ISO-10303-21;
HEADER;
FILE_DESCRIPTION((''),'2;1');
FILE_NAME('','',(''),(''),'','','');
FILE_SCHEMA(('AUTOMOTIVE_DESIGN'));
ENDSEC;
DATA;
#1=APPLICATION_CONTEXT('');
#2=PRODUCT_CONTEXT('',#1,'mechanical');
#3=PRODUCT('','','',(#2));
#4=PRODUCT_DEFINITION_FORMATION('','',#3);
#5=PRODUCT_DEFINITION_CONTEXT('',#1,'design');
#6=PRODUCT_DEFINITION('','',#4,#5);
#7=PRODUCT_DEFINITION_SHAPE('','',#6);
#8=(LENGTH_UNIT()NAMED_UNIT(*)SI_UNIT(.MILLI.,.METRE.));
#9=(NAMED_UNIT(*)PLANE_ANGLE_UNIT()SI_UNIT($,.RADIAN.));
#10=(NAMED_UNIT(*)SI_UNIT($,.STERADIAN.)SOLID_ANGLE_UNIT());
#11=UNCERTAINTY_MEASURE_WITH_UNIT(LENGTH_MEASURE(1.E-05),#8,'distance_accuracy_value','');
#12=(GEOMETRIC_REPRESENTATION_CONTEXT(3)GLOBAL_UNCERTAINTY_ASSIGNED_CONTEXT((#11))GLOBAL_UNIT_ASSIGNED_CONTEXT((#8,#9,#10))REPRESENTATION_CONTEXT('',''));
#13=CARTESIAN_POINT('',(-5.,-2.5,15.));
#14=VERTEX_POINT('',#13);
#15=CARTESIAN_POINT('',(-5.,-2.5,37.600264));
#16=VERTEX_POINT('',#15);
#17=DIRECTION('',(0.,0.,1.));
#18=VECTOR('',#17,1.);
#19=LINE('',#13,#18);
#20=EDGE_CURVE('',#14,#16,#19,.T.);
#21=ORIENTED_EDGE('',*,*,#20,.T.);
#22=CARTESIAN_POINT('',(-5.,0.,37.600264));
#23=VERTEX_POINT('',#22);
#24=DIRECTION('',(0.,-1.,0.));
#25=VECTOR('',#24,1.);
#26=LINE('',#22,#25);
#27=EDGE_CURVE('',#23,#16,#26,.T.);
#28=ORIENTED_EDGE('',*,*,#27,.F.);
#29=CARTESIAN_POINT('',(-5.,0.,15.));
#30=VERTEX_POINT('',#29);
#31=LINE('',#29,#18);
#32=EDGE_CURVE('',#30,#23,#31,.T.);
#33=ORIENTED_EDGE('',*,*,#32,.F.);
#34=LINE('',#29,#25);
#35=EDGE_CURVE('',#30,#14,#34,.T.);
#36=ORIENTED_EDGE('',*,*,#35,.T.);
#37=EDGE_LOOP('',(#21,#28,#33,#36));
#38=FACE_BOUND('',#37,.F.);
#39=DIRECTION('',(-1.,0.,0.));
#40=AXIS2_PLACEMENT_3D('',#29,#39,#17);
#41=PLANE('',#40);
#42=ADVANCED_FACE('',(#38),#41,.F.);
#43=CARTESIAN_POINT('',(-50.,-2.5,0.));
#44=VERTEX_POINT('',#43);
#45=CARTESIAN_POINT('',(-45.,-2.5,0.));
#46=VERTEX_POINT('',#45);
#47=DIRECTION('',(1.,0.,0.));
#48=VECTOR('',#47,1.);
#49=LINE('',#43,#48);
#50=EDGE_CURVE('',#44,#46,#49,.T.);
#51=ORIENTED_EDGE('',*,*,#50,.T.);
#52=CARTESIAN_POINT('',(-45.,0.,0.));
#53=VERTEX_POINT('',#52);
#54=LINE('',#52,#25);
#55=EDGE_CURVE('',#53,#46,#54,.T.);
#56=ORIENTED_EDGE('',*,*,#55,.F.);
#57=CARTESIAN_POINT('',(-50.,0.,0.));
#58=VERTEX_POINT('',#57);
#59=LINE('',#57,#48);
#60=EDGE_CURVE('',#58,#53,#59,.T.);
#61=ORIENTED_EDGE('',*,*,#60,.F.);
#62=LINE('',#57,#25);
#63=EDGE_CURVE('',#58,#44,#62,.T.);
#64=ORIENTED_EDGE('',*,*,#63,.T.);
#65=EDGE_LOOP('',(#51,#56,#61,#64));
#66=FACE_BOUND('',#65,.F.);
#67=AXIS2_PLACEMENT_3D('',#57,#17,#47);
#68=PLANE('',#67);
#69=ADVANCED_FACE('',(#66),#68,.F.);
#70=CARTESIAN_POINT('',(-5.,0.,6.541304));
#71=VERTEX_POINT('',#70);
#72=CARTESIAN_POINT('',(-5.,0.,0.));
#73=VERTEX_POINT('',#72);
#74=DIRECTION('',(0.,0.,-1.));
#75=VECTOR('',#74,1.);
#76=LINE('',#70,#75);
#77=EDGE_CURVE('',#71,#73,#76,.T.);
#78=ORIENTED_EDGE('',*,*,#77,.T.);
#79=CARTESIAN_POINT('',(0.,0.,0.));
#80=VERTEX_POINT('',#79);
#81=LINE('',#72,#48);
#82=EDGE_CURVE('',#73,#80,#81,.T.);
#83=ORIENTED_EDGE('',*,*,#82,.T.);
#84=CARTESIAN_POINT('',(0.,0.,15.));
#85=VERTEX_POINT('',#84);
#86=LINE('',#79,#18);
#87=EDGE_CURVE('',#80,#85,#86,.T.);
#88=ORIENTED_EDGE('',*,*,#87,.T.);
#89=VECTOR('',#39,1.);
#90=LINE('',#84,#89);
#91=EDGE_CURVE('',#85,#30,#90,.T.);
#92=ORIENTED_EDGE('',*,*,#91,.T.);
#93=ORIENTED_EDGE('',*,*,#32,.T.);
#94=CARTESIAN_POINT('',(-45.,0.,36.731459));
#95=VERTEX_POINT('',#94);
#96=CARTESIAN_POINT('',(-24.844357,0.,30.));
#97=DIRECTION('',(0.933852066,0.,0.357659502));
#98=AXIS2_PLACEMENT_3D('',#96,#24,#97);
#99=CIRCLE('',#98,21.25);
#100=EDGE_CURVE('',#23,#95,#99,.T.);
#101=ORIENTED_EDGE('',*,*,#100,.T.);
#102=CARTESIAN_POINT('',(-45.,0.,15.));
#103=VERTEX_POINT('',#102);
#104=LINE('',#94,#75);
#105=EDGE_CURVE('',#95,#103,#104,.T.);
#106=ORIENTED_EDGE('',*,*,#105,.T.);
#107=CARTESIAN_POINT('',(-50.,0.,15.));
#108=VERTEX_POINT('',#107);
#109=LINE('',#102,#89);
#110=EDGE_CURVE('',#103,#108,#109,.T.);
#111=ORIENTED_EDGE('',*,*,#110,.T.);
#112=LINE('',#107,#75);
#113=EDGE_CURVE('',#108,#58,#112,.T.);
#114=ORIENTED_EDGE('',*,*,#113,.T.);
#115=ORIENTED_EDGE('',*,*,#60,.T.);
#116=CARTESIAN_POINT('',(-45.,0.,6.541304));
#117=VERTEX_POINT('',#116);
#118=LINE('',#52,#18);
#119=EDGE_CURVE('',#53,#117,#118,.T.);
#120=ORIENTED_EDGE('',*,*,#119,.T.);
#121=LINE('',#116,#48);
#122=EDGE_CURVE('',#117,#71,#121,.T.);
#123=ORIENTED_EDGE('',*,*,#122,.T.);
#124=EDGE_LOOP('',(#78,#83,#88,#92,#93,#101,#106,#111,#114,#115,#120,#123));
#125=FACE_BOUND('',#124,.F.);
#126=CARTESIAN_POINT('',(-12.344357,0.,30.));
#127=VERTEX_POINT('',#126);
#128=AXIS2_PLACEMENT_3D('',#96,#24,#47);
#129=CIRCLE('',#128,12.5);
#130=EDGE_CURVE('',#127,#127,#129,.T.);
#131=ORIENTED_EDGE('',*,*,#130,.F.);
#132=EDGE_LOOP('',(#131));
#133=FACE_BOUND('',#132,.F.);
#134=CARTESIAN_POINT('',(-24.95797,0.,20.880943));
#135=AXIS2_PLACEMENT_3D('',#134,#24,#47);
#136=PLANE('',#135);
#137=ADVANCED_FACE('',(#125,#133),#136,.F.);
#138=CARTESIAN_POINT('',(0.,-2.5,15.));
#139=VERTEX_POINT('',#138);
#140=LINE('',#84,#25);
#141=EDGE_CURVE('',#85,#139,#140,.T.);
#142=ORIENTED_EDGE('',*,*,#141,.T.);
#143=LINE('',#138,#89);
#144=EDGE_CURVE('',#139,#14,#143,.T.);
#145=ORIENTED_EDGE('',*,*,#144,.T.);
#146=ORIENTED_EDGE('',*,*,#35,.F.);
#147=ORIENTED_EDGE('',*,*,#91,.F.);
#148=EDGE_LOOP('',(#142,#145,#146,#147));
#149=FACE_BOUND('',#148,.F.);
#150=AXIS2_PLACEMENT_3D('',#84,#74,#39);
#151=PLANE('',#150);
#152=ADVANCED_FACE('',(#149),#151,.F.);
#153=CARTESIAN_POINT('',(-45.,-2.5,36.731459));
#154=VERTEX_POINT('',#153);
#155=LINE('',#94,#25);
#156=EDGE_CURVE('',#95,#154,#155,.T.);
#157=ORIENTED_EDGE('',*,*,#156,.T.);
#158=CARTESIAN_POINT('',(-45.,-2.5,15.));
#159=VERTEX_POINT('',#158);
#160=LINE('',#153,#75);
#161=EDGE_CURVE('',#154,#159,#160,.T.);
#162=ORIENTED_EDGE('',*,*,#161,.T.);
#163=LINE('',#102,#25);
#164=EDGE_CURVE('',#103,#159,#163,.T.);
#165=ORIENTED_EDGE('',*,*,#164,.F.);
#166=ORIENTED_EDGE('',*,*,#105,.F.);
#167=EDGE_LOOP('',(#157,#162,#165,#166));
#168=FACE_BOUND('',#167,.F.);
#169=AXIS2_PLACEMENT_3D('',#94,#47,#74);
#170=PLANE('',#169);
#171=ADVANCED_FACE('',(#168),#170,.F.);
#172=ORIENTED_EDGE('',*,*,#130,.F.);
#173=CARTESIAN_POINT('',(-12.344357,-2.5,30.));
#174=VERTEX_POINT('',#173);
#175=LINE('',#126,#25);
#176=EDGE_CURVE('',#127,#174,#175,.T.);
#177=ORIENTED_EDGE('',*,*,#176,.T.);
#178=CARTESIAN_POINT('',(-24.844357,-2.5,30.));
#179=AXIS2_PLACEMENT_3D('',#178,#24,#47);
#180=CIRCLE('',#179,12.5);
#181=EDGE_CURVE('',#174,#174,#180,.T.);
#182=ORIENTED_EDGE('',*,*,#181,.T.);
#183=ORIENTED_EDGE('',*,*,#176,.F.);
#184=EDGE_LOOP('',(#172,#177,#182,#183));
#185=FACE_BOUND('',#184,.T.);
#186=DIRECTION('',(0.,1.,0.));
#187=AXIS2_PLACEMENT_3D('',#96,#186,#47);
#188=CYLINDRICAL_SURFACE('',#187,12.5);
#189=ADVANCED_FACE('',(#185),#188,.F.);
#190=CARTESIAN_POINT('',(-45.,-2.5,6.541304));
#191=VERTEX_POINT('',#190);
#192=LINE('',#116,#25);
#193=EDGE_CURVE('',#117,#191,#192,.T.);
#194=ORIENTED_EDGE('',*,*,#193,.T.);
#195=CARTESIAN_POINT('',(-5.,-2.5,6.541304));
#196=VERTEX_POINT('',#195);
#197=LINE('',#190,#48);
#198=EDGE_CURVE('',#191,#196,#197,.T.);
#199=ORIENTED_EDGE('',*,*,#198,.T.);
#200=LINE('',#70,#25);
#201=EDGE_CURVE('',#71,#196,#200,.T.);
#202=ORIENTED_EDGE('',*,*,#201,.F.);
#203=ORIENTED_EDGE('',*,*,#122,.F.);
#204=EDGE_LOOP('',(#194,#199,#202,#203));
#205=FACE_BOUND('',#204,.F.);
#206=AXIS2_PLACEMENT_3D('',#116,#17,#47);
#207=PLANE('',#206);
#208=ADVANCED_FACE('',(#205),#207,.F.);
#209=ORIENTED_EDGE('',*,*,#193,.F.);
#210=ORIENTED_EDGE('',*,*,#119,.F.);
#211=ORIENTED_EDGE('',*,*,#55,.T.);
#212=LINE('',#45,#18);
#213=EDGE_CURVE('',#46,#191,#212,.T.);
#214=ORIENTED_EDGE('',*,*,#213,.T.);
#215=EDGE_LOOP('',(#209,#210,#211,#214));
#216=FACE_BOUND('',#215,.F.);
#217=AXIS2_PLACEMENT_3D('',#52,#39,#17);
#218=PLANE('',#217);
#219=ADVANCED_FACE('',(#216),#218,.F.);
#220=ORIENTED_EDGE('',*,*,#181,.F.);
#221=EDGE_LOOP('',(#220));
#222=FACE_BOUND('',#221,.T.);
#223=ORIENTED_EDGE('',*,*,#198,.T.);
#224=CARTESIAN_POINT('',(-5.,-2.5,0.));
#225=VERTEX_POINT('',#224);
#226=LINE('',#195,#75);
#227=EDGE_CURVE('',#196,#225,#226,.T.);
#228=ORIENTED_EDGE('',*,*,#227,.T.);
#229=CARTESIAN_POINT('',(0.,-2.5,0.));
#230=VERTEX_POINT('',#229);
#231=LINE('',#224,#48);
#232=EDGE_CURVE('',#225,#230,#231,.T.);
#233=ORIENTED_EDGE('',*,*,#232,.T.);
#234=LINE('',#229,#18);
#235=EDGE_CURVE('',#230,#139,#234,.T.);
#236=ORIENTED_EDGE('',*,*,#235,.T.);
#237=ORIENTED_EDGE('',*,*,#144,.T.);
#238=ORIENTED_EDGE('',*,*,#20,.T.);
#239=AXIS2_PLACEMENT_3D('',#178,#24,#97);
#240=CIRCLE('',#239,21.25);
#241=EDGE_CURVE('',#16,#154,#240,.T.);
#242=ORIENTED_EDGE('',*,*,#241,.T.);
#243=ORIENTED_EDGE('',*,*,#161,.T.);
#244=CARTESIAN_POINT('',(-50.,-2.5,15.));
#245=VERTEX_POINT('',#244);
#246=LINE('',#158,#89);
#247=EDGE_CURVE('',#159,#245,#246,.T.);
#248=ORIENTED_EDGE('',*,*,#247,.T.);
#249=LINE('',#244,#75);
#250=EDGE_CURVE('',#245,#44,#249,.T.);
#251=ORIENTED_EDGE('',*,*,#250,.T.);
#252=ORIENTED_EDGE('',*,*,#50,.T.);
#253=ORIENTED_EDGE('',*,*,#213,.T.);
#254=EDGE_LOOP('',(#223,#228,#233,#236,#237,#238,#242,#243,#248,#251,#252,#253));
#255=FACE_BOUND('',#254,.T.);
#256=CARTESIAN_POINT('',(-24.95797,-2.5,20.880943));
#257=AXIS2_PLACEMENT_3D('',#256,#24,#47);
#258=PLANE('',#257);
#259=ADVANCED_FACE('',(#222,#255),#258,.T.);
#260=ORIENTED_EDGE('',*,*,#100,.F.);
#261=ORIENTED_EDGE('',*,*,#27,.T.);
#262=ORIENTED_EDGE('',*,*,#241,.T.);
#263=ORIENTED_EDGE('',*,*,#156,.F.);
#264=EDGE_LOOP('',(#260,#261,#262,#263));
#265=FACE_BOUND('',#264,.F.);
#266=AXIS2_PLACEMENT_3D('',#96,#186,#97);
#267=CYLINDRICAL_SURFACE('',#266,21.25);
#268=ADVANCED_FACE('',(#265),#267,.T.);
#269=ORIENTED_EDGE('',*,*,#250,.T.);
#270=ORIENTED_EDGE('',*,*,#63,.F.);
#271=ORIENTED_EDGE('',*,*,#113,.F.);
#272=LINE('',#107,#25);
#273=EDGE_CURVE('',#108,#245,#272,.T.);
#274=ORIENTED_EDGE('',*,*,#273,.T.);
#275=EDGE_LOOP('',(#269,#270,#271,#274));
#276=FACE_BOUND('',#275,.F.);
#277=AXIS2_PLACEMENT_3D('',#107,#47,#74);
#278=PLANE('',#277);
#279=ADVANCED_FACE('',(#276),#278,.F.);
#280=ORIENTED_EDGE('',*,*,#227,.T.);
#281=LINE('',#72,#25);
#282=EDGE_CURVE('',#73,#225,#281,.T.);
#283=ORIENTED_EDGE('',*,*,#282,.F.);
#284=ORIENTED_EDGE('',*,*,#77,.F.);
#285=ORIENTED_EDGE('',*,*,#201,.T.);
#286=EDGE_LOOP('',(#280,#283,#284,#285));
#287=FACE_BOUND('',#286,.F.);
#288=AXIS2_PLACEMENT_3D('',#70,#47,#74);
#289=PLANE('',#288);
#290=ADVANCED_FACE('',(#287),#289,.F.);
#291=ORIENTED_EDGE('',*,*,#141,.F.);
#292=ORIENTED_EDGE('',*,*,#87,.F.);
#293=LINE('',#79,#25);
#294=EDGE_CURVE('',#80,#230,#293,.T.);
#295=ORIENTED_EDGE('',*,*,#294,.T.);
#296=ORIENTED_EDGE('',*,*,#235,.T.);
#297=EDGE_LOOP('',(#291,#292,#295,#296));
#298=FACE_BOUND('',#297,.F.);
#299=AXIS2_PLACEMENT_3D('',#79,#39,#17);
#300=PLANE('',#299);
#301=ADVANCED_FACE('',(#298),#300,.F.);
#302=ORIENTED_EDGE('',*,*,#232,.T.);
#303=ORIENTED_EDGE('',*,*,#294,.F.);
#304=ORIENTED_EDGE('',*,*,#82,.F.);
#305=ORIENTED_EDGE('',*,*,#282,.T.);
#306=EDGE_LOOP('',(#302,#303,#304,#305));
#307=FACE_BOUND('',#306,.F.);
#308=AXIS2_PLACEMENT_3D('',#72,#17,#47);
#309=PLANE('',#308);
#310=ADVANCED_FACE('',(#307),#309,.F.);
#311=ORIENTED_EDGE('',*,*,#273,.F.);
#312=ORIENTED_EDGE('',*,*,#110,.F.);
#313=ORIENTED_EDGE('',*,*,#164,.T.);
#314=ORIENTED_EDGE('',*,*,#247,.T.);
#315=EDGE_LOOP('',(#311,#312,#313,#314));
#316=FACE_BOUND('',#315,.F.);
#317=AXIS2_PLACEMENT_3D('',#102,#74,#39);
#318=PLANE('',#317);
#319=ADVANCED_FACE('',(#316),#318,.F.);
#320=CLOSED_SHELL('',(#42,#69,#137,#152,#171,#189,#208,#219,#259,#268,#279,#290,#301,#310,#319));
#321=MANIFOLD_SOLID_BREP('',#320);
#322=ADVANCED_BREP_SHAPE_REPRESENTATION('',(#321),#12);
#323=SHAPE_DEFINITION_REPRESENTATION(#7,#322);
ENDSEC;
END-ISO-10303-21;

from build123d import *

# Parameters (mm, degrees)
F0_R     = 12.5
F1_DEPTH = 2.5


with BuildPart() as f1:
    # F0 (on Front) → F1 (new body)
    with BuildSketch(Plane.XZ):
        with BuildLine():
            Line((-5, 0), (0, 0))
            Line((0, 0), (0, 15))
            Line((0, 15), (-5, 15))
            Line((-5, 15), (-5, 37.600264))
            ThreePointArc((-5, 37.600264), (-25.3058, 51.244989), (-45, 36.731459))
            Line((-45, 36.731459), (-45, 15))
            Line((-45, 15), (-50, 15))
            Line((-50, 15), (-50, 0))
            Line((-50, 0), (-45, 0))
            Line((-45, 0), (-45, 6.541304))
            Line((-45, 6.541304), (-5, 6.541304))
            Line((-5, 6.541304), (-5, 0))
        make_face()
        with Locations((-24.844357, 30)):
            Circle(F0_R, mode=Mode.SUBTRACT)
    extrude(amount=F1_DEPTH)


solid = f1.part
